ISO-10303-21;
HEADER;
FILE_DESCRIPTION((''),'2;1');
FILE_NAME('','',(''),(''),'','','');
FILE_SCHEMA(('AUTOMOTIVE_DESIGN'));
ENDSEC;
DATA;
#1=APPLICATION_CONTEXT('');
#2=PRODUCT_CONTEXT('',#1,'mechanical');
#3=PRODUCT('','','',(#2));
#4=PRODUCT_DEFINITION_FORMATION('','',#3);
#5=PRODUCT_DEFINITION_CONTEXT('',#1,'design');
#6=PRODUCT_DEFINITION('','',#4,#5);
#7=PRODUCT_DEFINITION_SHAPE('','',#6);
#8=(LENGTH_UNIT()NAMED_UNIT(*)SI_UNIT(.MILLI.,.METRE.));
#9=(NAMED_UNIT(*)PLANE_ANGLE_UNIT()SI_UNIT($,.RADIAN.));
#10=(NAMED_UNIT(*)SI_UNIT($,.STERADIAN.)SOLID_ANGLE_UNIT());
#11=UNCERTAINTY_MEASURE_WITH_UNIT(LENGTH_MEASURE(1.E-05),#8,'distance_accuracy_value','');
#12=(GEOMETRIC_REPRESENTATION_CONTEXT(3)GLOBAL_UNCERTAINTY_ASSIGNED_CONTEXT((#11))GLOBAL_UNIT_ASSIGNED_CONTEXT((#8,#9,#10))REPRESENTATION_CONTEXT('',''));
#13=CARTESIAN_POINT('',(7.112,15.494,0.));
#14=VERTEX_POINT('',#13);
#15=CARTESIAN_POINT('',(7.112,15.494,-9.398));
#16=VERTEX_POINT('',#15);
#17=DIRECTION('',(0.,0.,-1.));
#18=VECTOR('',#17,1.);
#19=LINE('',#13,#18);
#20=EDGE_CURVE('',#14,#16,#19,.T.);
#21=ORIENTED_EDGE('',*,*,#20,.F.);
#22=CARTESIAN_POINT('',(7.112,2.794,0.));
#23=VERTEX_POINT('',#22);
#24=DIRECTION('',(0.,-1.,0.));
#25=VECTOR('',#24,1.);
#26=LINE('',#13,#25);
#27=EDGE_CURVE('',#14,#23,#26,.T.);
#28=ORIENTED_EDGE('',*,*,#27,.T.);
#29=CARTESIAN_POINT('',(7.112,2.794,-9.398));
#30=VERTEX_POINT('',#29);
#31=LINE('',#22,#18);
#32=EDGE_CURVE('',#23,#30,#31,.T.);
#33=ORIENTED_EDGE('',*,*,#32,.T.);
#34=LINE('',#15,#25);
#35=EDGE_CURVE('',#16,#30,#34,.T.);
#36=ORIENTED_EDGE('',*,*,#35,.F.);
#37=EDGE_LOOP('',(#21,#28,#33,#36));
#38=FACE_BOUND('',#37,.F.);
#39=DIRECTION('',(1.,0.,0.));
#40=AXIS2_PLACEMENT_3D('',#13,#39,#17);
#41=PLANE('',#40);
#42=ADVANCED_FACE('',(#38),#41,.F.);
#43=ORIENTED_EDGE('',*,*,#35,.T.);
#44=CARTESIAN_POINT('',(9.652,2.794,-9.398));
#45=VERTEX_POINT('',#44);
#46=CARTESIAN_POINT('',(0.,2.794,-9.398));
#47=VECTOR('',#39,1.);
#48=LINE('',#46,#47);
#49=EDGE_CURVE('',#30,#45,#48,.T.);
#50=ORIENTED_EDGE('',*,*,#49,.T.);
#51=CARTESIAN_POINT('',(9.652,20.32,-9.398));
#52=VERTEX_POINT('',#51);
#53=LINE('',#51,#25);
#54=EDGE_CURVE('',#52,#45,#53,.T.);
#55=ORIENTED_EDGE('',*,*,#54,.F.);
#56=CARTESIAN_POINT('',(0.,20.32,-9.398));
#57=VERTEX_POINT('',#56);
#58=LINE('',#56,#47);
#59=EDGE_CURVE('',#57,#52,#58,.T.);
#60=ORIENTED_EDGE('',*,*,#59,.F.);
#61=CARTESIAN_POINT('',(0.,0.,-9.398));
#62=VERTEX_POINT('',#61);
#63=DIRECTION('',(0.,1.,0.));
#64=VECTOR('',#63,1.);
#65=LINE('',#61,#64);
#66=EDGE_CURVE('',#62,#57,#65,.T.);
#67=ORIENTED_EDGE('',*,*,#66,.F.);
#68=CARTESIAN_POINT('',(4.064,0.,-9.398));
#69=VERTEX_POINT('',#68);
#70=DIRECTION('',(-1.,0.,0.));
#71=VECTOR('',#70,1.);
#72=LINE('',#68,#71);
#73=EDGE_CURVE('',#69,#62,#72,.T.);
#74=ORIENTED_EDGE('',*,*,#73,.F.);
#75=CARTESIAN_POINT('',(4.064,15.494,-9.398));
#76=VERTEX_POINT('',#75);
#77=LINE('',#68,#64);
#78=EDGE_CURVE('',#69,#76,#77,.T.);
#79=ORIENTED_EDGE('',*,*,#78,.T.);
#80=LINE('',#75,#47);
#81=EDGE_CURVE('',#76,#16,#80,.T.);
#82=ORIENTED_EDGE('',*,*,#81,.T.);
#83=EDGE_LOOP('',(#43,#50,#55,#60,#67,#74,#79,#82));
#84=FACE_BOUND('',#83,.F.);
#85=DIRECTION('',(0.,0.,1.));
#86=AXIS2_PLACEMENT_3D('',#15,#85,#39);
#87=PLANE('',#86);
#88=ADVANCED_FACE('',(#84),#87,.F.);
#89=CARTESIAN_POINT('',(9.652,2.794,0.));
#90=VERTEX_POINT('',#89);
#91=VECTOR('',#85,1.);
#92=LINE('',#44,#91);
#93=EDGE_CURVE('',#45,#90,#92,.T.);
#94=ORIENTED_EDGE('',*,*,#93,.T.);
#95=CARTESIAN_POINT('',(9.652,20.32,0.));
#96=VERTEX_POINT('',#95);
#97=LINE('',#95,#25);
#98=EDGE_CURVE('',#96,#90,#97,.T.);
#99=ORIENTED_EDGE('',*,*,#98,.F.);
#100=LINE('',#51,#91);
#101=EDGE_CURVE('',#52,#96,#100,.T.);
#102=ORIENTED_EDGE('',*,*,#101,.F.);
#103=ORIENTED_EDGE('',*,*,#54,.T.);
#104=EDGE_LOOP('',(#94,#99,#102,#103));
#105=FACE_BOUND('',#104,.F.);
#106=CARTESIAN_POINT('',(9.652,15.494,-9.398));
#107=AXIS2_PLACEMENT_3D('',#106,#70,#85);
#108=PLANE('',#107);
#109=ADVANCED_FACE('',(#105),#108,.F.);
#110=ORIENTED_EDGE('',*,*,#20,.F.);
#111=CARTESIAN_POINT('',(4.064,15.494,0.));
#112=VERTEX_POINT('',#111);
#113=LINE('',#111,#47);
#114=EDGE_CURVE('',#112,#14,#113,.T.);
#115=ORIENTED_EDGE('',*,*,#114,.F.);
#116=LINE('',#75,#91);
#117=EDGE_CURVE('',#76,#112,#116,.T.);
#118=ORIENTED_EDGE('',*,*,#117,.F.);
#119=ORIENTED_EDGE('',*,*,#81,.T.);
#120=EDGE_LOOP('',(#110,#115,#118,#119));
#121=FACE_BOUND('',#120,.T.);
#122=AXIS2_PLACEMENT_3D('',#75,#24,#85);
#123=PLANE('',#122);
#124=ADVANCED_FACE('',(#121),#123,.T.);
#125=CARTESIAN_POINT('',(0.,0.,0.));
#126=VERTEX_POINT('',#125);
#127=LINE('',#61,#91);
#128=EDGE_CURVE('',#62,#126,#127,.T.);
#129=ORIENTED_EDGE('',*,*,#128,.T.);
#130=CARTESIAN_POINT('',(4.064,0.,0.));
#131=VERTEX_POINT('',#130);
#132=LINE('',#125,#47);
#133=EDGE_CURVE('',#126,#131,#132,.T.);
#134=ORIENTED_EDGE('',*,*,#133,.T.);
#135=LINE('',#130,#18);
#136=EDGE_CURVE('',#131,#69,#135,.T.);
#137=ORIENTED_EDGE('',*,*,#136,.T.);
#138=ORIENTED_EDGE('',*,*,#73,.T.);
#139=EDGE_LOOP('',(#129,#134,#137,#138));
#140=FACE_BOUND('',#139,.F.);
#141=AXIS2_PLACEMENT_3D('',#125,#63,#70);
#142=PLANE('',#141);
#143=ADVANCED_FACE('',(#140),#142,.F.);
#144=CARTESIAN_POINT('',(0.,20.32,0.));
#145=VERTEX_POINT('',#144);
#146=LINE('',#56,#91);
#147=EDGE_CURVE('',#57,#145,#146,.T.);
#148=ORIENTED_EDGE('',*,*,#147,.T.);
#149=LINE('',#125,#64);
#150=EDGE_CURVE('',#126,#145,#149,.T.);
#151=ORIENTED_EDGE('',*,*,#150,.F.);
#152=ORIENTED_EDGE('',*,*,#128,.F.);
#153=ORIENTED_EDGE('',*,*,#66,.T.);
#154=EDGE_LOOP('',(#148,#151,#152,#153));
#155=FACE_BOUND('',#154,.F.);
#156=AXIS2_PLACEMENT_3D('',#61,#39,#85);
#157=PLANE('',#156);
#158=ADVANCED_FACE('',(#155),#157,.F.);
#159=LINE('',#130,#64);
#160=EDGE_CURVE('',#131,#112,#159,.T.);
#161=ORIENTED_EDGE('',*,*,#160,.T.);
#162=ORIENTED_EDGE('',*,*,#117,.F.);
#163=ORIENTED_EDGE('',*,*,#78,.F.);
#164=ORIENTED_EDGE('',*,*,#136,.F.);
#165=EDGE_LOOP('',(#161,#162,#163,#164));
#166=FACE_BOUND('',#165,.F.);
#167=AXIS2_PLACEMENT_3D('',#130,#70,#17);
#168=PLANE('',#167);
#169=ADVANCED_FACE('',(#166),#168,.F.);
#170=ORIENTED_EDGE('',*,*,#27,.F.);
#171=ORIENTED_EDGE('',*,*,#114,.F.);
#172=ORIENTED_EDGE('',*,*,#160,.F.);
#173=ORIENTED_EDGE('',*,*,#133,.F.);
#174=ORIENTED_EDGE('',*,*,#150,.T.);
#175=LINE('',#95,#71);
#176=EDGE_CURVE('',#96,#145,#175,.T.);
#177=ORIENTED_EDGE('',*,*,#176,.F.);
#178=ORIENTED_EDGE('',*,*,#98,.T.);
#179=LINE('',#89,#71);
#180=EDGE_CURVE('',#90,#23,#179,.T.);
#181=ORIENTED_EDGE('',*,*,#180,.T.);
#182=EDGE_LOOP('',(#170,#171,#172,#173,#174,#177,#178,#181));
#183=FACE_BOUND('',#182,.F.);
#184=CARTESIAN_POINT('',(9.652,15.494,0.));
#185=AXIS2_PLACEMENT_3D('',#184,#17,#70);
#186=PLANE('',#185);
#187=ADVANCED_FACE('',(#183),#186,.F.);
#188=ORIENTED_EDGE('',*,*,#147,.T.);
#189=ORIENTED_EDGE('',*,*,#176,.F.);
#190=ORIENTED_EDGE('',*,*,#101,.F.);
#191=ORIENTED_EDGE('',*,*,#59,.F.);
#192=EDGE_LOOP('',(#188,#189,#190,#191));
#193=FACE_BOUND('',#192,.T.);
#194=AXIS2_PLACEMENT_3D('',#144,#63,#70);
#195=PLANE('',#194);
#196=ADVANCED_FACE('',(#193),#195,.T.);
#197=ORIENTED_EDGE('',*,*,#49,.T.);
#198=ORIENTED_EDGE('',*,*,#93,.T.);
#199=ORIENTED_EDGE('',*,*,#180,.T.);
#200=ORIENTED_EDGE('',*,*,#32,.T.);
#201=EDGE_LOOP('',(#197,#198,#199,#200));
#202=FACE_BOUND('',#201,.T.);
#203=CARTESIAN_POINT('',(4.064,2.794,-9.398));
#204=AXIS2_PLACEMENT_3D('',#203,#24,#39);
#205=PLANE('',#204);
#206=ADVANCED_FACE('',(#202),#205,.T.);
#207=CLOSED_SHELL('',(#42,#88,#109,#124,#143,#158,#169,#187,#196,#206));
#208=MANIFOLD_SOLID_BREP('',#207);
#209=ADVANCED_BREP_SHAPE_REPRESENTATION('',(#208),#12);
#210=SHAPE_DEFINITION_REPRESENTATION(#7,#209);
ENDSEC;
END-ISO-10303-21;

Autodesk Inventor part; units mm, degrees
ref_plane "YZ Plane" through (0, 0, 0) normal (1, 0, 0) x (0, 1, 0)
ref_plane "XZ Plane" through (0, 0, 0) normal (0, 1, 0) x (-1, 0, 0)
ref_plane "XY Plane" through (0, 0, 0) normal (0, 0, 1) x (1, 0, 0)
sketch "Sketch1" plane through (0, 0, 0) normal (0, 1, 0) x (-1, 0, 0)
  line L0 (0, 0) -> (-4.064, 0)
  line L1 (-4.064, 0) -> (-4.064, -9.398)
  line L2 (-4.064, -9.398) -> (0, -9.398)
  line L3 (0, -9.398) -> (0, 0)
  dimension "d0" = 4.064
  dimension "d1" = 9.398
extrude "Extrusion1" add sketch "Sketch1" along normal blind 20.32
sketch "Sketch3" plane through (4.064, 0, 0) normal (1, 0, 0) x (0, 0, -1)
  line L0 (9.398, 20.32) -> (0, 20.32) projected
  line L1 (9.398, 0) -> (9.398, 20.32) projected
  line L2 (0, 20.32) -> (9.398, 20.32)
  line L3 (9.398, 20.32) -> (9.398, 15.494)
  line L4 (9.398, 15.494) -> (0, 15.494)
  line L5 (0, 15.494) -> (0, 20.32)
  point P0 (0, 0)
  dimension "d5" = 4.826
extrude "Extrusion2" add sketch "Sketch3" along normal blind 5.588
sketch "Sketch4" plane through (4.064, 15.494, -9.398) normal (0, -1, 0) x (1, 0, 0)
  line L0 (5.588, 0) -> (5.588, 9.398) projected
  line L1 (-4.064, 0) -> (5.588, 0) projected
  line L2 (5.588, 9.398) -> (3.048, 9.398)
  line L3 (3.048, 9.398) -> (3.048, 0)
  line L4 (3.048, 0) -> (5.588, 0)
  line L5 (5.588, 0) -> (5.588, 9.398)
  point P0 (-4.064, 9.398)
  dimension "d8" = 2.54
extrude "Extrusion3" add sketch "Sketch4" along normal blind 12.7
sketch "Sketch5" plane through (9.652, 0, 0) normal (1, 0, 0) x (0, 0, -1)
  line L0 (9.398, 20.32) -> (0, 20.32) projected
  line L1 (4.699, 20.32) -> (4.699, 2.794)
  line L2 (0, 2.794) -> (9.398, 2.794) projected
  point P0 (0, 0)
properties part number "Mount Male"
